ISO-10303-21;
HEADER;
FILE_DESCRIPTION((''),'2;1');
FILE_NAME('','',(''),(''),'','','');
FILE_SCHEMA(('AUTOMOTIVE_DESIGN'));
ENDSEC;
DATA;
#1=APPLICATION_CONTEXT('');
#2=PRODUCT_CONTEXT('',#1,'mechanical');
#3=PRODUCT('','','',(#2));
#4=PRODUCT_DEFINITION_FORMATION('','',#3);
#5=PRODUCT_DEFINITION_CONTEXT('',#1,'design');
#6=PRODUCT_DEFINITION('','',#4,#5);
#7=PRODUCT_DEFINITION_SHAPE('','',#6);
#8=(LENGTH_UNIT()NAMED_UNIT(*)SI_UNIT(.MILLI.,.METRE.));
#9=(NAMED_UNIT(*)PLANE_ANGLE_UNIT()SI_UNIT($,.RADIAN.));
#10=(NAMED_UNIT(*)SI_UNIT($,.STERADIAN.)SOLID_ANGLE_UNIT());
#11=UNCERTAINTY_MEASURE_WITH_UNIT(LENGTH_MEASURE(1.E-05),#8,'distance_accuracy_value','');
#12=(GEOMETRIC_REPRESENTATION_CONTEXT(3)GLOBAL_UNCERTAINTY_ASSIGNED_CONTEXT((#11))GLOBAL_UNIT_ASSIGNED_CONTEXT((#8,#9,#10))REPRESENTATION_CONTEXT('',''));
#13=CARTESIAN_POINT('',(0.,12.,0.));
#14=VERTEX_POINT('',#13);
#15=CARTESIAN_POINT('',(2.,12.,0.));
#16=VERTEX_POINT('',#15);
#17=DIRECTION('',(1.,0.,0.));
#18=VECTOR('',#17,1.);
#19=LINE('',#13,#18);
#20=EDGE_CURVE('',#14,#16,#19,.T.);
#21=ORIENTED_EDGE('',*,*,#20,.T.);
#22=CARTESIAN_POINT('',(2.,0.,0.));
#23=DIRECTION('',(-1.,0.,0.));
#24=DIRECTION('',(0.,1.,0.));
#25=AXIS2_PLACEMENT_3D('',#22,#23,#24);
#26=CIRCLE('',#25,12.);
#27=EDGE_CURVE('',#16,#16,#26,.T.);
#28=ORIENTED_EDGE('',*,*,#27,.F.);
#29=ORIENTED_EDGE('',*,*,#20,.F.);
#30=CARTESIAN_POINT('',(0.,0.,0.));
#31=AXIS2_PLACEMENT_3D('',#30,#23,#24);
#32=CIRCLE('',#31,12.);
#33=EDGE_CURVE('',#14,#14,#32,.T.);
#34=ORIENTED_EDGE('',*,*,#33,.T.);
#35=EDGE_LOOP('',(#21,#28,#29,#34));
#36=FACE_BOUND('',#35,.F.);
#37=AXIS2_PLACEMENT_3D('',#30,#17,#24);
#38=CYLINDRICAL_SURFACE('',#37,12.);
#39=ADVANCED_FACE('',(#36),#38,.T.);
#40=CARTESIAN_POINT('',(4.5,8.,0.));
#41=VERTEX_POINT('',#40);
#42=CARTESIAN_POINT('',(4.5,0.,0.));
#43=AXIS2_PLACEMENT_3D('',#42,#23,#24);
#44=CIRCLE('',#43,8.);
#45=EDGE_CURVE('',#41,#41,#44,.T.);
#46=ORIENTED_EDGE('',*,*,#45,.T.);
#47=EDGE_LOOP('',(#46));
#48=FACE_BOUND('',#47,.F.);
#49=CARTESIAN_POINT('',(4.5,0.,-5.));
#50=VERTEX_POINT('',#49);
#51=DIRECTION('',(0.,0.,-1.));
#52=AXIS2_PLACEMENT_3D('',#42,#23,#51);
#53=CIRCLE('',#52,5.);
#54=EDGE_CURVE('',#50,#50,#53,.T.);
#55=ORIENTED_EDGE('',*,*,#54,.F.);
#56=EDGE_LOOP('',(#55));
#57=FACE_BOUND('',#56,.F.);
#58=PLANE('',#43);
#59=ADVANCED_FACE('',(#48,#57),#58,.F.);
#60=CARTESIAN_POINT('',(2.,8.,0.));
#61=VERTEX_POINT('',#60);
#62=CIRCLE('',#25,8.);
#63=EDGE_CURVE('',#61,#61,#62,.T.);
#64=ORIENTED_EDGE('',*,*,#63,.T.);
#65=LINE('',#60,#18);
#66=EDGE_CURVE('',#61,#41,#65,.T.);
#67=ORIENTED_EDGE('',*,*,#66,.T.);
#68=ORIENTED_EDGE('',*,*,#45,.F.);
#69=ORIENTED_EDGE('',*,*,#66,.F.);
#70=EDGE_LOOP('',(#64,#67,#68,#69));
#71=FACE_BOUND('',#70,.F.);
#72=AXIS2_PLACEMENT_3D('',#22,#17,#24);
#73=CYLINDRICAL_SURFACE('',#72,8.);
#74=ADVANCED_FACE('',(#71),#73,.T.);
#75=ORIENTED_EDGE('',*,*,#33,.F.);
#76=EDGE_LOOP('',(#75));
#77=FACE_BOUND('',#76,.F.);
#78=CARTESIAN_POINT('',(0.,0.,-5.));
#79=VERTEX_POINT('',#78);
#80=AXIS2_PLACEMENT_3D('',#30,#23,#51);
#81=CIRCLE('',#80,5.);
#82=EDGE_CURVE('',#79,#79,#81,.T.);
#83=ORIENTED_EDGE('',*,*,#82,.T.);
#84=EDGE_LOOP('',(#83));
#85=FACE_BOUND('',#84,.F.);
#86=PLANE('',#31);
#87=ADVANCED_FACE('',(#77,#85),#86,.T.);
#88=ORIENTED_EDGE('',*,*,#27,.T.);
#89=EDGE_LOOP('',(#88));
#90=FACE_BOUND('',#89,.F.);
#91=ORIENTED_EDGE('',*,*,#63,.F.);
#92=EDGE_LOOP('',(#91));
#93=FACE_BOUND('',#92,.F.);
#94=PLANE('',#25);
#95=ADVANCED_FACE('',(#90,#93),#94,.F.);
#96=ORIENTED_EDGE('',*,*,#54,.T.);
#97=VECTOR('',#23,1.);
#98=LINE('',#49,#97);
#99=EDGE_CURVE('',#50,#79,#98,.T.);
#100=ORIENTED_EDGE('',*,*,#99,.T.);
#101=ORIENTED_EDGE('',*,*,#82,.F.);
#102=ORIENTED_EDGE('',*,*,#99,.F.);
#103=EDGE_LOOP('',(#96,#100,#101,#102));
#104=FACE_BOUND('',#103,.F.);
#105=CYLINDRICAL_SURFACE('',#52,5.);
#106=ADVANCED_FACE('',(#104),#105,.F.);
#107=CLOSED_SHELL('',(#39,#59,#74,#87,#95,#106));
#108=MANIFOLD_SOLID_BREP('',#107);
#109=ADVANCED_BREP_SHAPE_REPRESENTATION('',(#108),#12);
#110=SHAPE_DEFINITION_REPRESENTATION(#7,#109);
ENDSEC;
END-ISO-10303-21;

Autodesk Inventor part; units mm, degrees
ref_plane "YZ Plane" through (0, 0, 0) normal (1, 0, 0) x (0, 1, 0)
ref_plane "XZ Plane" through (0, 0, 0) normal (0, 1, 0) x (-1, 0, 0)
ref_plane "XY Plane" through (0, 0, 0) normal (0, 0, 1) x (1, 0, 0)
sketch "Sketch1" plane through (0, 0, 0) normal (0, 0, 1) x (1, 0, 0)
  line L0 (0, 0) -> (0, 12)
  line L1 (0, 12) -> (2, 12)
  line L2 (2, 12) -> (2, 8)
  line L3 (2, 8) -> (4.5, 8)
  line L4 (4.5, 8) -> (4.5, 0)
  line L5 (4.5, 0) -> (0, 0)
  dimension "d0" = 2.5
  dimension "d1" = 2
  dimension "d2" = 24
  dimension "d3" = 16
revolve "Revolution1" add sketch "Sketch1" angle 360 about axis through (4.5, 0, 0) along (-1, 0, 0)
sketch "Sketch2" plane through (4.5, 0, 0) normal (1, 0, 0) x (0, 0, -1)
  circle A0 centre (0, 0) radius 8 projected
  point P0 (0, 0)
hole "Hole1" at (4.5, 0, 0) direction (-1, 0, 0) diameter 10 depth 4.5
properties part number "04" material "Aluminum 6061"
